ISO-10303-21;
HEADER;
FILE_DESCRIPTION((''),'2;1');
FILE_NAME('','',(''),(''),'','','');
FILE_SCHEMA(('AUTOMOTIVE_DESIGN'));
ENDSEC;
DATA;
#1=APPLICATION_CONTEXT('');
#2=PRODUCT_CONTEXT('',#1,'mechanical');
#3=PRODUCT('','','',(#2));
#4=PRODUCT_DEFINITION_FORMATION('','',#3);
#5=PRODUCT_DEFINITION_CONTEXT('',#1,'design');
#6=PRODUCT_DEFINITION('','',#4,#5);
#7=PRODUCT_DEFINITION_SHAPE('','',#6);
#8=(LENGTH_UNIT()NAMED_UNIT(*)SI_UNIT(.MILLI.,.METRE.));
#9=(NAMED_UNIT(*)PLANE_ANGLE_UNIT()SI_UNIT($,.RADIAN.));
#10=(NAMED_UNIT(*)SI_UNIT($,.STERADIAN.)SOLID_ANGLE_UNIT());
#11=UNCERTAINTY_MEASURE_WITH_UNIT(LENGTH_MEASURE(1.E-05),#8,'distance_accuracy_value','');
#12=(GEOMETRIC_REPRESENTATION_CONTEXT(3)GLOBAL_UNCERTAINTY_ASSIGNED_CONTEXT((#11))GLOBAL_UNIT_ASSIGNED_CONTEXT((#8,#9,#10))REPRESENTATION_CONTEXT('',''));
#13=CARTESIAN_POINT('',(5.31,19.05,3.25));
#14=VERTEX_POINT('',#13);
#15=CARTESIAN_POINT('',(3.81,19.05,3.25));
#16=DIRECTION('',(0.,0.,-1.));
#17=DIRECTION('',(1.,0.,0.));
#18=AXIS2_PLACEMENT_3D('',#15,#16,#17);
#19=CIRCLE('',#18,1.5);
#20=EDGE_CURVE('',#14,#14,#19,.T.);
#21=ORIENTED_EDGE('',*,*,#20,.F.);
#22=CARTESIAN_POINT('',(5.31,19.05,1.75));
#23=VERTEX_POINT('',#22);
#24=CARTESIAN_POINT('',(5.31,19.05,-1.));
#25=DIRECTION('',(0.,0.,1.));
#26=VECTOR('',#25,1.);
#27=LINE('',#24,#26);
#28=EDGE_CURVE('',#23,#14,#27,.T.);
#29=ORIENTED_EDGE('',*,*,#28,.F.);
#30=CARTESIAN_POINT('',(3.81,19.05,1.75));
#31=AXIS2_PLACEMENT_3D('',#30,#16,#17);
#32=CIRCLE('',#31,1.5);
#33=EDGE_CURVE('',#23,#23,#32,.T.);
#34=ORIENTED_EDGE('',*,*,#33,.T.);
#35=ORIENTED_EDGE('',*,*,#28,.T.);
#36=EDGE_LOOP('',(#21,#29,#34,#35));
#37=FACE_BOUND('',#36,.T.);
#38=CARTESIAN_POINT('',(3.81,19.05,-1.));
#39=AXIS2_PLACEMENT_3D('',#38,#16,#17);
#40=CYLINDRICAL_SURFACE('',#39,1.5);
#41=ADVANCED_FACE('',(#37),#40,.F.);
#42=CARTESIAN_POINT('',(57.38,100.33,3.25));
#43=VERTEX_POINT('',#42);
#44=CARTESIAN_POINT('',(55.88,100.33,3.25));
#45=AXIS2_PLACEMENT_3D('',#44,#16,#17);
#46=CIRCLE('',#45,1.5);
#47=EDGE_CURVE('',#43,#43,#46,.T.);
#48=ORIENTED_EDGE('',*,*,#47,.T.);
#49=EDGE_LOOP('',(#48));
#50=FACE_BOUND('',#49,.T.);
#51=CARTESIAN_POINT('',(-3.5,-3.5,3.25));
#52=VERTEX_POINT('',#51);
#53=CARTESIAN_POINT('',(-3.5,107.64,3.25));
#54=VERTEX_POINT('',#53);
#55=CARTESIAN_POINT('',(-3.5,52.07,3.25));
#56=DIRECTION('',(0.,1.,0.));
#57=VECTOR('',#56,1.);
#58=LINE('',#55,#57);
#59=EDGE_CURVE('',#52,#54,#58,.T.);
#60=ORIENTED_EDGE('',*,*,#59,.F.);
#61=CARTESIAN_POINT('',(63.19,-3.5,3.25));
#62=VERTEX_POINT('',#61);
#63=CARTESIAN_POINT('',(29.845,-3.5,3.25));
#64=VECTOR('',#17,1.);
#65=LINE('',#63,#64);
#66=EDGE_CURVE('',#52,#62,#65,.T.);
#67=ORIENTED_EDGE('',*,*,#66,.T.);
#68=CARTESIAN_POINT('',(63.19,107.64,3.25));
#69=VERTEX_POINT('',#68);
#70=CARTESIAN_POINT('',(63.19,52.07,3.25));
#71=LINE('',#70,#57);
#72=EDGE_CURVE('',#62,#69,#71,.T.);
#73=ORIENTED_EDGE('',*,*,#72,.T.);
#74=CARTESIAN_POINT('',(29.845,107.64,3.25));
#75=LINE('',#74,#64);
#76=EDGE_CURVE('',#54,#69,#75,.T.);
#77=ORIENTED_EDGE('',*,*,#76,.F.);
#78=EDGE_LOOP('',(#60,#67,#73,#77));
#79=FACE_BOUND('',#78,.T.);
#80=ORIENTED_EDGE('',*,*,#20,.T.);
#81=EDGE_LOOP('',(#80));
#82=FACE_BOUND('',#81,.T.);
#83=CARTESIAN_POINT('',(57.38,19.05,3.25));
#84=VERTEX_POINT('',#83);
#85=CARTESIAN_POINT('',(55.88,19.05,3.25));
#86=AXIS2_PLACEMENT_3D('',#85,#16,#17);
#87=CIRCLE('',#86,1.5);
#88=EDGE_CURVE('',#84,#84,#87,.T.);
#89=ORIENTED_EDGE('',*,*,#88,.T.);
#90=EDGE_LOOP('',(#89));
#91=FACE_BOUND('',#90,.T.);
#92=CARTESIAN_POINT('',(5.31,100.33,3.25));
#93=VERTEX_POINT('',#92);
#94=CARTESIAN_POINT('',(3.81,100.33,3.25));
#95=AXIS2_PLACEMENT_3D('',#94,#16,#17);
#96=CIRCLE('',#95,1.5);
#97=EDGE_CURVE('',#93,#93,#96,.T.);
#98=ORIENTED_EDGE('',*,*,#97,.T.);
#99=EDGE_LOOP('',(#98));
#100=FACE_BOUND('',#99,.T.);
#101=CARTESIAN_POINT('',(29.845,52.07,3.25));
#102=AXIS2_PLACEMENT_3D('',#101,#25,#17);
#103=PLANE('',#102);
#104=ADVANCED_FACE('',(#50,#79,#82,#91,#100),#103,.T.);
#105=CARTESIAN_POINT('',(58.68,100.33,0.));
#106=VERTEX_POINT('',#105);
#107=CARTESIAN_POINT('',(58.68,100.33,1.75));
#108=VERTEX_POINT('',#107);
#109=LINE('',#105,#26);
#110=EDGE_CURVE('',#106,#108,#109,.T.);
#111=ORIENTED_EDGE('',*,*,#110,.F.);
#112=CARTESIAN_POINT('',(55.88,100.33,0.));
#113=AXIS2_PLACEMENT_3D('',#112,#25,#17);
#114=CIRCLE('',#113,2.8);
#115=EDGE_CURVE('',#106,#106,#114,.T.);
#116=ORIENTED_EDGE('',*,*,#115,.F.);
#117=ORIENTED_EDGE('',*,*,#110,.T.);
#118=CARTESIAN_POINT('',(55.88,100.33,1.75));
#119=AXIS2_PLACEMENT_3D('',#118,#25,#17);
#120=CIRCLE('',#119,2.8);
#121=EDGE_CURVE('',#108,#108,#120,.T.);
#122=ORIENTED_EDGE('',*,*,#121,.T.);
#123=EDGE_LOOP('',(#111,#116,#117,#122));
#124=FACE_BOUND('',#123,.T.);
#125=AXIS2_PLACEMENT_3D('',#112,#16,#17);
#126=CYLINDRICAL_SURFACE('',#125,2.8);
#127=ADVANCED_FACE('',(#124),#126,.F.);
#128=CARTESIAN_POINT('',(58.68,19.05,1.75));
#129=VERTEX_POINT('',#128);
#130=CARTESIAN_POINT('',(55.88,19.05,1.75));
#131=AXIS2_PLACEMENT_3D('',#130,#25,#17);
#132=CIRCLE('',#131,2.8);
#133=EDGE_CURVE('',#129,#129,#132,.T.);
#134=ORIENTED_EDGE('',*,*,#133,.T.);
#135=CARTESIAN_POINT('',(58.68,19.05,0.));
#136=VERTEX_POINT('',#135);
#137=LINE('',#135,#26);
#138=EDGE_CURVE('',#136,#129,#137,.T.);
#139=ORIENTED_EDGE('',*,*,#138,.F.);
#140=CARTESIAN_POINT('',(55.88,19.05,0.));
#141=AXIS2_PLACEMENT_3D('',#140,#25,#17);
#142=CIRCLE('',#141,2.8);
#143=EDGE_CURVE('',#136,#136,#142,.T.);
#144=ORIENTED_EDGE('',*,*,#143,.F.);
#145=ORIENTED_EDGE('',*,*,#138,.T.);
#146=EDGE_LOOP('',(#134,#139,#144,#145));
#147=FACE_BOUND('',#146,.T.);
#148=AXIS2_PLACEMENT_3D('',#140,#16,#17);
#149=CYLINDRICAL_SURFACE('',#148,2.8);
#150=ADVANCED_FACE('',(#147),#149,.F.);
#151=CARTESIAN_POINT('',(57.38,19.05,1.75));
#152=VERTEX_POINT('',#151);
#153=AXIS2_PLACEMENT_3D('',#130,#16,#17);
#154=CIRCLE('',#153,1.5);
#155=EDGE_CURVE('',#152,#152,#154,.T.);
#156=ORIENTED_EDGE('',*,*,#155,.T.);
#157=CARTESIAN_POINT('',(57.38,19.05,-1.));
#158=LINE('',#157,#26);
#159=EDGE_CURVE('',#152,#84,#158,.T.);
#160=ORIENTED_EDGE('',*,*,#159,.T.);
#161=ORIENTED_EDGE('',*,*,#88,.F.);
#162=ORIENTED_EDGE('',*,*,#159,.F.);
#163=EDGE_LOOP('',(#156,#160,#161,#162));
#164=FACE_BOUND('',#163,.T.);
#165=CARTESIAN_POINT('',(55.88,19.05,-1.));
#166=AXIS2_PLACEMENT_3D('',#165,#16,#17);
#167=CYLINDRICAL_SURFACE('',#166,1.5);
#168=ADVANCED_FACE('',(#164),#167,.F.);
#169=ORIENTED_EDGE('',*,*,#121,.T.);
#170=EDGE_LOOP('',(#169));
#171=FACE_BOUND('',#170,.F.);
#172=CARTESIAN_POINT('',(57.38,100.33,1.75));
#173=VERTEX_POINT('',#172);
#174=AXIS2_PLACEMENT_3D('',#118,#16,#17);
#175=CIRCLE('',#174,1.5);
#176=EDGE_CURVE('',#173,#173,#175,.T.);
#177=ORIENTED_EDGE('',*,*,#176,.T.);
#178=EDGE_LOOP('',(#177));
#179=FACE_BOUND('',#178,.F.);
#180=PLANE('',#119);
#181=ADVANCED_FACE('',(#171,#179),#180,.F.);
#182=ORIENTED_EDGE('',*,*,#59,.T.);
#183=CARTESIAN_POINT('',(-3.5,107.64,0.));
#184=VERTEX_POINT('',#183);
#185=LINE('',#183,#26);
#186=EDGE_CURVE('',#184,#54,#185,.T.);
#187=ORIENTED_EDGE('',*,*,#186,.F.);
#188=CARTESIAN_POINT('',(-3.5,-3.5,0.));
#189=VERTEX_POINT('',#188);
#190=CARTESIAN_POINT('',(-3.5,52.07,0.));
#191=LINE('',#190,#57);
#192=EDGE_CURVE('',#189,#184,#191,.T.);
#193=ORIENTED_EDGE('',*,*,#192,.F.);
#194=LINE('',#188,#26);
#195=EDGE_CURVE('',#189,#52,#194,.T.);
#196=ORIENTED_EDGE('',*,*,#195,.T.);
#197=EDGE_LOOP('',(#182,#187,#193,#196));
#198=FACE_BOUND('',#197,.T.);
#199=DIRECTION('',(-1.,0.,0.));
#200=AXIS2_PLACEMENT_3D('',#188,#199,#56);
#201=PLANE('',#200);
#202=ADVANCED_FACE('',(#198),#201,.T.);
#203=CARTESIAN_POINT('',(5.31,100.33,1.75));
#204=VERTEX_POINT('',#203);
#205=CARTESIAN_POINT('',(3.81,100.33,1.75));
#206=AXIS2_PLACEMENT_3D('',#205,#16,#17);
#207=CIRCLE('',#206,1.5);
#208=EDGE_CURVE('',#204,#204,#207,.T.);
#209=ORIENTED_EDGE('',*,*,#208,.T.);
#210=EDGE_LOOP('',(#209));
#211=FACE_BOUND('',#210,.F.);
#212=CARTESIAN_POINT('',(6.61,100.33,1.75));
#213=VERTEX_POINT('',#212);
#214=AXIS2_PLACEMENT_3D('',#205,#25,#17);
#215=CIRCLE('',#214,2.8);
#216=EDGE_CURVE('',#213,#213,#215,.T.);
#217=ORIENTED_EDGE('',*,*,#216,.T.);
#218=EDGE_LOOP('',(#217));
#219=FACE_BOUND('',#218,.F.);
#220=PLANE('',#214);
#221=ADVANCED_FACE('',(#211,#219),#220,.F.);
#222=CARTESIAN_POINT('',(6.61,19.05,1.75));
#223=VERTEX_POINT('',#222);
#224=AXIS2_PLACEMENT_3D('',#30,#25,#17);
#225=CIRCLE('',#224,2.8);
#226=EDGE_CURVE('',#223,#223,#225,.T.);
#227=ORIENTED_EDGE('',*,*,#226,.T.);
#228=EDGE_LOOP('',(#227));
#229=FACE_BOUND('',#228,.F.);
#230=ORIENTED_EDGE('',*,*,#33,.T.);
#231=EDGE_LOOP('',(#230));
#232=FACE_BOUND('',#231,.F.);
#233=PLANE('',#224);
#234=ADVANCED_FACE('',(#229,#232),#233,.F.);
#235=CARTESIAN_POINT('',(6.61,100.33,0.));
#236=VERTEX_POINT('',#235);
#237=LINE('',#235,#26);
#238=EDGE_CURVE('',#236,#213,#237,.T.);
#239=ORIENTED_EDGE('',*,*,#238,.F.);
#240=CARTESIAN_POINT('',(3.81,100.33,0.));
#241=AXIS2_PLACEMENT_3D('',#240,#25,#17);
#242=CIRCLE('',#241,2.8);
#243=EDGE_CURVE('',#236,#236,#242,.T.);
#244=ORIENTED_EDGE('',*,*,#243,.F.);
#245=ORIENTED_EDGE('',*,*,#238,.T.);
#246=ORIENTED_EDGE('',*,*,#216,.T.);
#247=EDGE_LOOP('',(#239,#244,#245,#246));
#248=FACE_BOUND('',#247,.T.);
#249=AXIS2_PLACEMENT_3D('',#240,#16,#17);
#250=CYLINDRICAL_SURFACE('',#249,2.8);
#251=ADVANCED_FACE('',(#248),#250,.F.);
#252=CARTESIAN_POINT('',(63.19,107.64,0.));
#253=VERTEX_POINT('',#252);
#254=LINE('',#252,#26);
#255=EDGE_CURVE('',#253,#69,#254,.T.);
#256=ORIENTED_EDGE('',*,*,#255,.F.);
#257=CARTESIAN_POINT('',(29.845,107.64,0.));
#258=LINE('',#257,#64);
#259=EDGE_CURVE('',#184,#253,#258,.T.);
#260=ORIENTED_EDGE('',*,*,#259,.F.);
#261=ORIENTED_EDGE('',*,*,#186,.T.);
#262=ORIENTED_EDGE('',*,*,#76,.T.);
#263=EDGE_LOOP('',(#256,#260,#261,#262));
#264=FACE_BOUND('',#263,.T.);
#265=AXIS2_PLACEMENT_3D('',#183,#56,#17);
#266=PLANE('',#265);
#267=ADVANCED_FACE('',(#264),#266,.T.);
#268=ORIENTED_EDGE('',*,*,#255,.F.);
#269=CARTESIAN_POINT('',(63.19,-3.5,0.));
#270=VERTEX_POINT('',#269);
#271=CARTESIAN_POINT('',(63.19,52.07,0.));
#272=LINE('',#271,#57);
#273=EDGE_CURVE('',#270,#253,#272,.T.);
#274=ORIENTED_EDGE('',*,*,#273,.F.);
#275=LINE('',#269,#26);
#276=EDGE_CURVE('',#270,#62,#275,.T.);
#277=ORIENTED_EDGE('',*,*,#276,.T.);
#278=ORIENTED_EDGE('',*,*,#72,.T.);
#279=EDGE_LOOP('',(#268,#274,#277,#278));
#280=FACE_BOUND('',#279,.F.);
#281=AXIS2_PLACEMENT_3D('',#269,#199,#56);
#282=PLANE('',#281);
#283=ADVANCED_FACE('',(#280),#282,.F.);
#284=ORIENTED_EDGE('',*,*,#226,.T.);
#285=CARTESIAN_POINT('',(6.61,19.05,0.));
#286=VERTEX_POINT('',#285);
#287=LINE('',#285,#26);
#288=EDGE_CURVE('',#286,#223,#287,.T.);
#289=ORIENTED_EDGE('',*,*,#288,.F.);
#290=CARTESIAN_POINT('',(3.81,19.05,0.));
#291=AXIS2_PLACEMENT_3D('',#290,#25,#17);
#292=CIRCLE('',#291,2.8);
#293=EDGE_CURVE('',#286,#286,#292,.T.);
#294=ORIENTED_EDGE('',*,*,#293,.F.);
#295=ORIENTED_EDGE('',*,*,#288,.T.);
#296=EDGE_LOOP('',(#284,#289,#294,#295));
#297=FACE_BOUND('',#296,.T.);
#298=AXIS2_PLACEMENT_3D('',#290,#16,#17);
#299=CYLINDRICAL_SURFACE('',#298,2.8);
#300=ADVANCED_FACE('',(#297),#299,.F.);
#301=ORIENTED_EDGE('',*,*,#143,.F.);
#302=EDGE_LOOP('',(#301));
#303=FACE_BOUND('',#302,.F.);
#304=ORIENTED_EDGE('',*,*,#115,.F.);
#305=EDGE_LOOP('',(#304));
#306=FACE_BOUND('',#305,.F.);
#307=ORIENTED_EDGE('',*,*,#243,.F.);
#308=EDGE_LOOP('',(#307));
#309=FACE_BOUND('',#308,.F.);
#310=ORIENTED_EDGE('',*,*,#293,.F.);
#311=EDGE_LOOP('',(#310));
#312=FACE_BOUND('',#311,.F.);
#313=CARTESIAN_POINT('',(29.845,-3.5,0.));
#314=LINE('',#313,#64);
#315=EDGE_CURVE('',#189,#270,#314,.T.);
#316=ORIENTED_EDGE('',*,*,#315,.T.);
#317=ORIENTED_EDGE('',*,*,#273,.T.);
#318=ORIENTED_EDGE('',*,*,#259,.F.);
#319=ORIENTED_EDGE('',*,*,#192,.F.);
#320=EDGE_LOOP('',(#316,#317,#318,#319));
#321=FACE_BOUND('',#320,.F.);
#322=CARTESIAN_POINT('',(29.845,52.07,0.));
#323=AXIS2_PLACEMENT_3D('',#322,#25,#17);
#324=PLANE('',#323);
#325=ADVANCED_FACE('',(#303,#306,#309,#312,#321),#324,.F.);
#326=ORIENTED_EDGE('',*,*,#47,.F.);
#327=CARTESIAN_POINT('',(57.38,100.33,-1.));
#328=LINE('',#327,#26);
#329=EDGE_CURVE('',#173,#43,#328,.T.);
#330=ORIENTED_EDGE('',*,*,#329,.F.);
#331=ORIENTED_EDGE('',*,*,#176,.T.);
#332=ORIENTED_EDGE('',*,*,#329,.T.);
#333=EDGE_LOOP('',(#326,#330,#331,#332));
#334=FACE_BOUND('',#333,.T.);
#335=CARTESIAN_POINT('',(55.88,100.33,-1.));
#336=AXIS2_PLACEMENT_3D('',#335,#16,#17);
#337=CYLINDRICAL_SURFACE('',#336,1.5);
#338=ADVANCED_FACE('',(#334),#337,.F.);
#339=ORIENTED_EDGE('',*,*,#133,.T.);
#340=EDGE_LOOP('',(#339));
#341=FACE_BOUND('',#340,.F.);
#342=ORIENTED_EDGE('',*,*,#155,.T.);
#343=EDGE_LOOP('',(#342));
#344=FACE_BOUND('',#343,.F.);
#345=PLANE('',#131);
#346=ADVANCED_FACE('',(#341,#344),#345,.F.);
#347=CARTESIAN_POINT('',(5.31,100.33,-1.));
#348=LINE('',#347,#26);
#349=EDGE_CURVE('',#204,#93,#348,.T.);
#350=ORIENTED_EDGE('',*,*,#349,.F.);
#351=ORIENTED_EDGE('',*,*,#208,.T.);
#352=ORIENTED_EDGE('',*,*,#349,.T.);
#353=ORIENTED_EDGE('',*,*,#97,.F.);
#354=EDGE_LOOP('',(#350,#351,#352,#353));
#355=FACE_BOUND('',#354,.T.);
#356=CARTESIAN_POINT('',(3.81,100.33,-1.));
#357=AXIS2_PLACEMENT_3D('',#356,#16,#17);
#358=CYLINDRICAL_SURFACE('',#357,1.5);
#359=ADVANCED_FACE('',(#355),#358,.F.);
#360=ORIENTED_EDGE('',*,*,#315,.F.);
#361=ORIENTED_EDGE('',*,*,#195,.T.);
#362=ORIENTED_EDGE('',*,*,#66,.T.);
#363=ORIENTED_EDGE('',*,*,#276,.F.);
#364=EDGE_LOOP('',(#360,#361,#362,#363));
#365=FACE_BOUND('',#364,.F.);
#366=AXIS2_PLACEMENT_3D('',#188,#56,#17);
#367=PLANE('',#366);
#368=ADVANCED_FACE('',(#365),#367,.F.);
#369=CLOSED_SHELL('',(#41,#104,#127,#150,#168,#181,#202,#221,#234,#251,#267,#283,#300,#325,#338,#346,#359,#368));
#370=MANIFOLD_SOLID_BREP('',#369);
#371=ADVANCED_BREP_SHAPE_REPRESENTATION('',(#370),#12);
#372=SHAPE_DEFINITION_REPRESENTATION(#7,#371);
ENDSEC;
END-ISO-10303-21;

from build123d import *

# Parameters (mm, degrees)
CYLINDER007_R     = 2.8
CYLINDER007_DEPTH = 1.75
CYLINDER006_R     = 2.8
CYLINDER006_DEPTH = 1.75
CYLINDER005_R     = 2.8
CYLINDER005_DEPTH = 1.75
CYLINDER004_R     = 2.8
CYLINDER004_DEPTH = 1.75
CYLINDER003_R     = 1.5
CYLINDER003_DEPTH = 10
CYLINDER002_R     = 1.5
CYLINDER002_DEPTH = 10
CYLINDER001_R     = 1.5
CYLINDER001_DEPTH = 10
CYLINDER_R        = 1.5
CYLINDER_DEPTH    = 10
BOX001_W          = 66.69
BOX001_H          = 111.14
BOX001_DEPTH      = 3.25


with BuildPart() as cylinder007:
    # Cylinder007 → Cylinder007 (new body)
    with BuildSketch(Plane(origin=(55.88, 100.33, 0), x_dir=(1, 0, 0), z_dir=(0, 0, 1))):
        Circle(CYLINDER007_R)
    extrude(amount=CYLINDER007_DEPTH)


with BuildPart() as cylinder006:
    # Cylinder006 → Cylinder006 (new body)
    with BuildSketch(Plane(origin=(3.81, 100.33, 0), x_dir=(1, 0, 0), z_dir=(0, 0, 1))):
        Circle(CYLINDER006_R)
    extrude(amount=CYLINDER006_DEPTH)


with BuildPart() as cylinder005:
    # Cylinder005 → Cylinder005 (new body)
    with BuildSketch(Plane(origin=(55.88, 19.05, 0), x_dir=(1, 0, 0), z_dir=(0, 0, 1))):
        Circle(CYLINDER005_R)
    extrude(amount=CYLINDER005_DEPTH)


with BuildPart() as cylinder004:
    # Cylinder004 → Cylinder004 (new body)
    with BuildSketch(Plane(origin=(3.81, 19.05, 0), x_dir=(1, 0, 0), z_dir=(0, 0, 1))):
        Circle(CYLINDER004_R)
    extrude(amount=CYLINDER004_DEPTH)


with BuildPart() as cylinder003:
    # Cylinder003 → Cylinder003 (new body)
    with BuildSketch(Plane(origin=(55.88, 100.33, -1), x_dir=(1, 0, 0), z_dir=(0, 0, 1))):
        Circle(CYLINDER003_R)
    extrude(amount=CYLINDER003_DEPTH)


with BuildPart() as cylinder002:
    # Cylinder002 → Cylinder002 (new body)
    with BuildSketch(Plane(origin=(3.81, 100.33, -1), x_dir=(1, 0, 0), z_dir=(0, 0, 1))):
        Circle(CYLINDER002_R)
    extrude(amount=CYLINDER002_DEPTH)


with BuildPart() as cylinder001:
    # Cylinder001 → Cylinder001 (new body)
    with BuildSketch(Plane(origin=(55.88, 19.05, -1), x_dir=(1, 0, 0), z_dir=(0, 0, 1))):
        Circle(CYLINDER001_R)
    extrude(amount=CYLINDER001_DEPTH)


with BuildPart() as cylinder:
    # Cylinder → Cylinder (new body)
    with BuildSketch(Plane(origin=(3.81, 19.05, -1), x_dir=(1, 0, 0), z_dir=(0, 0, 1))):
        Circle(CYLINDER_R)
    extrude(amount=CYLINDER_DEPTH)


with BuildPart() as cut007:
    # Box001 → Box001 (new body)
    with BuildSketch(Plane(origin=(-3.5, -3.5, 0), x_dir=(1, 0, 0), z_dir=(0, 0, 1))):
        with Locations((33.345, 55.57)):
            Rectangle(BOX001_W, BOX001_H)
    extrude(amount=BOX001_DEPTH)

    # Cut: cut Cylinder
    add(cylinder.part, mode=Mode.SUBTRACT)

    # Cut001: cut Cylinder001
    add(cylinder001.part, mode=Mode.SUBTRACT)

    # Cut002: cut Cylinder002
    add(cylinder002.part, mode=Mode.SUBTRACT)

    # Cut003: cut Cylinder003
    add(cylinder003.part, mode=Mode.SUBTRACT)

    # Cut004: cut Cylinder004
    add(cylinder004.part, mode=Mode.SUBTRACT)

    # Cut005: cut Cylinder005
    add(cylinder005.part, mode=Mode.SUBTRACT)

    # Cut006: cut Cylinder006
    add(cylinder006.part, mode=Mode.SUBTRACT)

    # Cut007: cut Cylinder007
    add(cylinder007.part, mode=Mode.SUBTRACT)


solid = cut007.part
